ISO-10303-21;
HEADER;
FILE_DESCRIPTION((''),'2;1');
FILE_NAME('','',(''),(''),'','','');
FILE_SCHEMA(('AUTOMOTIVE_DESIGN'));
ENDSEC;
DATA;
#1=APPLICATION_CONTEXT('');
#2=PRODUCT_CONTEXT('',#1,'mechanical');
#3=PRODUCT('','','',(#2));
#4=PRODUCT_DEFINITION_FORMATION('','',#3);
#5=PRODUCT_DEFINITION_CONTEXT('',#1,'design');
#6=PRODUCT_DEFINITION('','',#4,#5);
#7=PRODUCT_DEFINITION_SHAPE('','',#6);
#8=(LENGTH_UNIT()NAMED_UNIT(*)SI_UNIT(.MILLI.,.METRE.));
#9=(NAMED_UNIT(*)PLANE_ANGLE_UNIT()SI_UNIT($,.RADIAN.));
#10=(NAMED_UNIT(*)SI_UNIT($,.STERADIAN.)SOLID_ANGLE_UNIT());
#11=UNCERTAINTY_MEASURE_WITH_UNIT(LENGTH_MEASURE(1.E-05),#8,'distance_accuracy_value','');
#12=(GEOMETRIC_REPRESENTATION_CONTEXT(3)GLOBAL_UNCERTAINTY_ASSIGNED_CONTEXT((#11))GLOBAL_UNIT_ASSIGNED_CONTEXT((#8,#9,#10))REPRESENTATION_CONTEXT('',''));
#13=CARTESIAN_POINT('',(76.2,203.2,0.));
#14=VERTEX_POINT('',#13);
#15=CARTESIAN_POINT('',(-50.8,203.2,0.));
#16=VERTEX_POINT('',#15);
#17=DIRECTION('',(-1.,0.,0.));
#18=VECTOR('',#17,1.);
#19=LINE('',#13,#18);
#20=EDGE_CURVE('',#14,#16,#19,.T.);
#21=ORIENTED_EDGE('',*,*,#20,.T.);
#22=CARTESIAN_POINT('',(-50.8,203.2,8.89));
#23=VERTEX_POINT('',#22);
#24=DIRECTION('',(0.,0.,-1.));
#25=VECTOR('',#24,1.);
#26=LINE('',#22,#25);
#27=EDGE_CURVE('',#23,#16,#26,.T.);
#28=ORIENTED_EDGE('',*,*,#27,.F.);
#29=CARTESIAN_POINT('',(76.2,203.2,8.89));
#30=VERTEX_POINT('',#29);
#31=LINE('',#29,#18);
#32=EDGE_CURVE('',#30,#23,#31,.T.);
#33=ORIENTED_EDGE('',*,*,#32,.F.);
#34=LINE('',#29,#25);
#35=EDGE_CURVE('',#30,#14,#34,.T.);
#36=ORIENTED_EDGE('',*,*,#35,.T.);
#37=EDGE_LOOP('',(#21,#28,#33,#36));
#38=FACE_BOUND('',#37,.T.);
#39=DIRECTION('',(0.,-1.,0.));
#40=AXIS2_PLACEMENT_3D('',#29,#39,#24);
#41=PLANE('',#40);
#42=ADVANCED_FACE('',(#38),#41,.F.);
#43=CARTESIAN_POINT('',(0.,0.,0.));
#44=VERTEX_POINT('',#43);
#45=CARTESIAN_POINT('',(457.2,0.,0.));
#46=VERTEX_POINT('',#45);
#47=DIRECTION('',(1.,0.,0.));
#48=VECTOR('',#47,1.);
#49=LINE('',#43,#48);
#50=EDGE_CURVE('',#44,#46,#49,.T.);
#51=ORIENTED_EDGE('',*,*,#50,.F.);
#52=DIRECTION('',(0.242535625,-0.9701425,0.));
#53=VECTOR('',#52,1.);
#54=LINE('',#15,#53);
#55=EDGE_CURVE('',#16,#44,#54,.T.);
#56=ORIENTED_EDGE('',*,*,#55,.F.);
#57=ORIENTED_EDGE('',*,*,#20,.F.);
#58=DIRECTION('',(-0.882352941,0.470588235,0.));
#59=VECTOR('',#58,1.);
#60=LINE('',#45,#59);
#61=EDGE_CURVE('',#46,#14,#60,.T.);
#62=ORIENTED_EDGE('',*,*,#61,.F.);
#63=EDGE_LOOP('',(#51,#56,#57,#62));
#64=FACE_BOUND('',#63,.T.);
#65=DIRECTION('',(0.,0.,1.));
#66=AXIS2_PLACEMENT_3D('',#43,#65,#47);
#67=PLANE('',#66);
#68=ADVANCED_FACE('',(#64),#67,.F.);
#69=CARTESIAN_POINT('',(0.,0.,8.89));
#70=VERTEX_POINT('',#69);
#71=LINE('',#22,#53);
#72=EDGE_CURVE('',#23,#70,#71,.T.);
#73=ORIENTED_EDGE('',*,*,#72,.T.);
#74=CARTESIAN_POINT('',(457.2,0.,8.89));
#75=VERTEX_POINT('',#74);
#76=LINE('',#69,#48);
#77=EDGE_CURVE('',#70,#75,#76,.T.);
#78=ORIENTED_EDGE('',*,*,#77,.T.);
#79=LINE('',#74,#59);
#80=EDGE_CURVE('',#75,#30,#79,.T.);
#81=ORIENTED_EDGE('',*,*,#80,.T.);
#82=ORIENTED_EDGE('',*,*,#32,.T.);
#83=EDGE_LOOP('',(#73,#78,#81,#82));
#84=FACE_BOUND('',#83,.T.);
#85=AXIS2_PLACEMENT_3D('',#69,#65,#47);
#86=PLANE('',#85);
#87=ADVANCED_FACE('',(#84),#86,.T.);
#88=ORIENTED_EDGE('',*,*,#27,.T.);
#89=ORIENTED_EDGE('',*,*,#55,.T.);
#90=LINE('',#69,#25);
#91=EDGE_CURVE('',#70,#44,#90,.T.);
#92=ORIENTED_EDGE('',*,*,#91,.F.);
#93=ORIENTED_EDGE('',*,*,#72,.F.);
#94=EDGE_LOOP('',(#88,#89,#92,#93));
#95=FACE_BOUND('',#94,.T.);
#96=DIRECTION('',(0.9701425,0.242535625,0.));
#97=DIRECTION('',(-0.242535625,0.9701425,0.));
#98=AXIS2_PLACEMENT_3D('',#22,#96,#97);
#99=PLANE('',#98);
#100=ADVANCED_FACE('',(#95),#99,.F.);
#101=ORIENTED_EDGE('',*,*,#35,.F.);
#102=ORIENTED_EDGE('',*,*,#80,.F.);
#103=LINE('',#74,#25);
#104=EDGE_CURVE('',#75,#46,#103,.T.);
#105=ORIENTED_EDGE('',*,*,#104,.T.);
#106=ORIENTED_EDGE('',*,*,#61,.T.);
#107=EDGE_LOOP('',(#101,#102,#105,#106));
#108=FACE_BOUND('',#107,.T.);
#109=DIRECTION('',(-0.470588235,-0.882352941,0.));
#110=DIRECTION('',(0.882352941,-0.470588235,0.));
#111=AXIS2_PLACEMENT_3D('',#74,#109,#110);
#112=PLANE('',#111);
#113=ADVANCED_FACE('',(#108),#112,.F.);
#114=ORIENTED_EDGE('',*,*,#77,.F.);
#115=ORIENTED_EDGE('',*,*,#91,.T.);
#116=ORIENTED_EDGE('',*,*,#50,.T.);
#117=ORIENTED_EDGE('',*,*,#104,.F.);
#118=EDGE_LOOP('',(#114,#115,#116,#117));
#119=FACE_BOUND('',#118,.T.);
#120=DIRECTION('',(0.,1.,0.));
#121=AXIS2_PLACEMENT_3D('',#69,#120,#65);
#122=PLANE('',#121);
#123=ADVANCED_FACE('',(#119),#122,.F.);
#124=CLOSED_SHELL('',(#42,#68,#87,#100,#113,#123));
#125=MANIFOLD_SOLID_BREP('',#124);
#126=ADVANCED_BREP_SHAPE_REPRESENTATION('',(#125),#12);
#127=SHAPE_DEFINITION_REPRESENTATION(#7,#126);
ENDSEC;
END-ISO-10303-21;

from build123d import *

# Parameters (mm, degrees)
BOSS_EXTRUDE1_DEPTH = 8.89


with BuildPart() as part:
    # Sketch1 → Boss-Extrude1 (new body)
    with BuildSketch(Plane.XY):
        Polygon((0, 0), (457.2, 0), (76.2, 203.2), (-50.8, 203.2), align=None)
    extrude(amount=BOSS_EXTRUDE1_DEPTH)


solid = part.part
